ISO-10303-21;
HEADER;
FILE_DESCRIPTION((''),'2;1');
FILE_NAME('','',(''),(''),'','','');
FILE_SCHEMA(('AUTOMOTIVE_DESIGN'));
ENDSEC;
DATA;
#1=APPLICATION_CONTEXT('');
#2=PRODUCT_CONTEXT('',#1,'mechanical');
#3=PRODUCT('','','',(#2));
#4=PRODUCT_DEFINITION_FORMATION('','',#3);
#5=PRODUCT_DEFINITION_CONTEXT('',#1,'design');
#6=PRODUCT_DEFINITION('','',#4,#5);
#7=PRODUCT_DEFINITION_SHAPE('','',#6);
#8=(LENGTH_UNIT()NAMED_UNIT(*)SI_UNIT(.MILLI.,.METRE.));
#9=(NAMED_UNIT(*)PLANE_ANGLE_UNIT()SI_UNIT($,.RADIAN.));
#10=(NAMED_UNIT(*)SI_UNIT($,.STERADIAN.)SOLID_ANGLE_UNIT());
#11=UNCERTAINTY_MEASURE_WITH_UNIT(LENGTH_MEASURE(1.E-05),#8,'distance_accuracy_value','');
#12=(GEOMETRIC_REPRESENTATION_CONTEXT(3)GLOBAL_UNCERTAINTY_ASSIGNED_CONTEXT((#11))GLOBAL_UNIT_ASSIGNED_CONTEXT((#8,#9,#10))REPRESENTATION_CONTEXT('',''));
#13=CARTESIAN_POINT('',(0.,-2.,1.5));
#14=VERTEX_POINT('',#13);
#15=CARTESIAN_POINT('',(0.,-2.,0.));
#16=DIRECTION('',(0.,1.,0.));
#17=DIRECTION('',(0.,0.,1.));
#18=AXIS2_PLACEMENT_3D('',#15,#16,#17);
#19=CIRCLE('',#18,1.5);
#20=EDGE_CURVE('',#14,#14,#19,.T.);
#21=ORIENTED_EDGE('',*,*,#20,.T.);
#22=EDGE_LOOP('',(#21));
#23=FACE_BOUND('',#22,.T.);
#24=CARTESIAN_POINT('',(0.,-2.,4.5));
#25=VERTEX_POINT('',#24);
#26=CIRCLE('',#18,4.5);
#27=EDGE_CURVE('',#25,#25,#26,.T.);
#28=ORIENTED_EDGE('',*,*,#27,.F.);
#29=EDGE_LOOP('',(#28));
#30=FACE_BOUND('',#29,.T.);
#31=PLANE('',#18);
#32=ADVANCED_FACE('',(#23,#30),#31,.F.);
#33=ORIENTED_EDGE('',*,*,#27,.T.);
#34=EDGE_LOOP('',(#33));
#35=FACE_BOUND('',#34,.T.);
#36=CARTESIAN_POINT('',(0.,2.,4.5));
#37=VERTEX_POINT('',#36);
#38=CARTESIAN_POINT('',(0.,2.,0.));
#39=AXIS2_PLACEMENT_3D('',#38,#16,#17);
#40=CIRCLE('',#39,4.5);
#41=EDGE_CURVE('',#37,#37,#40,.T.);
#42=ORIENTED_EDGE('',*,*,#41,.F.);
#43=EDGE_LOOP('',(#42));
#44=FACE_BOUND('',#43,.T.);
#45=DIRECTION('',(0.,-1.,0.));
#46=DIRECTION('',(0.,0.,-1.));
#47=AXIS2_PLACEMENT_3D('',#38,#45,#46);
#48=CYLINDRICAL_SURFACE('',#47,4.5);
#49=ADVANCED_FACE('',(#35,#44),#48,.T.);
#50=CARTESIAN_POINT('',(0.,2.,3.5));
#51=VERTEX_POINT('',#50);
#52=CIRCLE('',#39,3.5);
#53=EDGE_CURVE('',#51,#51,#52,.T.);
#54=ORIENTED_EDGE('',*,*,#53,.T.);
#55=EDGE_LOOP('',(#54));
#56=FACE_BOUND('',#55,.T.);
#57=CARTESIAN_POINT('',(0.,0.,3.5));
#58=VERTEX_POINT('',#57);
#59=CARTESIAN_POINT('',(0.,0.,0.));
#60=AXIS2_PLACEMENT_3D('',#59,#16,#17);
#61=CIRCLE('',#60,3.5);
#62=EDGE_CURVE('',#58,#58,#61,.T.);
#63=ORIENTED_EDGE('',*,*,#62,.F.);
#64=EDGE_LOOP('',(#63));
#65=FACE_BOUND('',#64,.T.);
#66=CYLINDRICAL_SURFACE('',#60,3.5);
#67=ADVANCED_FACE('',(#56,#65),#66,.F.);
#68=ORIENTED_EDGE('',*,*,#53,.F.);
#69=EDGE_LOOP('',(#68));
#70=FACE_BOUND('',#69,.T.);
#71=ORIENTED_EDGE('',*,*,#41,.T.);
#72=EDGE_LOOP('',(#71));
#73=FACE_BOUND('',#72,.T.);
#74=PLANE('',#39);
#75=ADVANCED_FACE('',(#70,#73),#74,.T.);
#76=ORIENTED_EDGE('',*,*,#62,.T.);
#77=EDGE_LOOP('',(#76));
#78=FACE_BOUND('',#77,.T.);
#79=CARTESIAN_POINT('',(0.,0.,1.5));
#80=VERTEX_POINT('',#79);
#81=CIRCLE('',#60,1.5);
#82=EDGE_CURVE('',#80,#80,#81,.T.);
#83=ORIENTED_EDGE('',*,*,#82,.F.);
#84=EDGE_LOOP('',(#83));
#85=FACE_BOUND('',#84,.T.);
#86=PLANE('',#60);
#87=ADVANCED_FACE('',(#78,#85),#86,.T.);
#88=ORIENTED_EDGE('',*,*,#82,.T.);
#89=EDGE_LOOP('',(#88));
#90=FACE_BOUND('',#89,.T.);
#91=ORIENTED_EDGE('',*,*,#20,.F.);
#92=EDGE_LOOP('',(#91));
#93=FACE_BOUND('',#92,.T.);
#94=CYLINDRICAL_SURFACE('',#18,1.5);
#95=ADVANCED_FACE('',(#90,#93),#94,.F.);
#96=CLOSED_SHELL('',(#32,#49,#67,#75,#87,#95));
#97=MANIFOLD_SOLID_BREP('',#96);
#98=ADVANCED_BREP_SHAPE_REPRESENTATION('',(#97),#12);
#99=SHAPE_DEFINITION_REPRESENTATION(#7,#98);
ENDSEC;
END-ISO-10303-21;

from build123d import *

# Parameters (mm, degrees)
SKETCH_1_R          = 4.5
EXTRUDE_1_DEPTH     = 2
SKETCH_2_R          = 3.5
CUT_EXTRUDE_1_DEPTH = 2
SKETCH_3_R          = 1.5
CUT_EXTRUDE_2_DEPTH = 7.670832032


with BuildPart() as part:
    # 草图1 → 凸台-拉伸1 (new, symmetric)
    with BuildSketch(Plane(origin=(0, 0, 0), x_dir=(1, 0, 0), z_dir=(0, 1, 0))):
        with Locations(Location((0, 0, 0), (0, 0, 270))):
            Circle(SKETCH_1_R)
    extrude(amount=EXTRUDE_1_DEPTH, both=True)

    # 草图2 → 切除-拉伸1 (cut)
    with BuildSketch(Plane(origin=(0, 2, 0), x_dir=(1, 0, 0), z_dir=(0, 1, 0))):
        with Locations(Location((0, 0, 0), (0, 0, 270))):
            Circle(SKETCH_2_R)
    extrude(amount=-CUT_EXTRUDE_1_DEPTH, mode=Mode.SUBTRACT)

    # 草图3 → 切除-拉伸2 (cut, through all)
    with BuildSketch(Plane(origin=(0, 0, 0), x_dir=(1, 0, 0), z_dir=(0, 1, 0))):
        with Locations(Location((0, 0, 0), (0, 0, 270))):
            Circle(SKETCH_3_R)
    extrude(amount=-CUT_EXTRUDE_2_DEPTH, mode=Mode.SUBTRACT)


solid = part.part
